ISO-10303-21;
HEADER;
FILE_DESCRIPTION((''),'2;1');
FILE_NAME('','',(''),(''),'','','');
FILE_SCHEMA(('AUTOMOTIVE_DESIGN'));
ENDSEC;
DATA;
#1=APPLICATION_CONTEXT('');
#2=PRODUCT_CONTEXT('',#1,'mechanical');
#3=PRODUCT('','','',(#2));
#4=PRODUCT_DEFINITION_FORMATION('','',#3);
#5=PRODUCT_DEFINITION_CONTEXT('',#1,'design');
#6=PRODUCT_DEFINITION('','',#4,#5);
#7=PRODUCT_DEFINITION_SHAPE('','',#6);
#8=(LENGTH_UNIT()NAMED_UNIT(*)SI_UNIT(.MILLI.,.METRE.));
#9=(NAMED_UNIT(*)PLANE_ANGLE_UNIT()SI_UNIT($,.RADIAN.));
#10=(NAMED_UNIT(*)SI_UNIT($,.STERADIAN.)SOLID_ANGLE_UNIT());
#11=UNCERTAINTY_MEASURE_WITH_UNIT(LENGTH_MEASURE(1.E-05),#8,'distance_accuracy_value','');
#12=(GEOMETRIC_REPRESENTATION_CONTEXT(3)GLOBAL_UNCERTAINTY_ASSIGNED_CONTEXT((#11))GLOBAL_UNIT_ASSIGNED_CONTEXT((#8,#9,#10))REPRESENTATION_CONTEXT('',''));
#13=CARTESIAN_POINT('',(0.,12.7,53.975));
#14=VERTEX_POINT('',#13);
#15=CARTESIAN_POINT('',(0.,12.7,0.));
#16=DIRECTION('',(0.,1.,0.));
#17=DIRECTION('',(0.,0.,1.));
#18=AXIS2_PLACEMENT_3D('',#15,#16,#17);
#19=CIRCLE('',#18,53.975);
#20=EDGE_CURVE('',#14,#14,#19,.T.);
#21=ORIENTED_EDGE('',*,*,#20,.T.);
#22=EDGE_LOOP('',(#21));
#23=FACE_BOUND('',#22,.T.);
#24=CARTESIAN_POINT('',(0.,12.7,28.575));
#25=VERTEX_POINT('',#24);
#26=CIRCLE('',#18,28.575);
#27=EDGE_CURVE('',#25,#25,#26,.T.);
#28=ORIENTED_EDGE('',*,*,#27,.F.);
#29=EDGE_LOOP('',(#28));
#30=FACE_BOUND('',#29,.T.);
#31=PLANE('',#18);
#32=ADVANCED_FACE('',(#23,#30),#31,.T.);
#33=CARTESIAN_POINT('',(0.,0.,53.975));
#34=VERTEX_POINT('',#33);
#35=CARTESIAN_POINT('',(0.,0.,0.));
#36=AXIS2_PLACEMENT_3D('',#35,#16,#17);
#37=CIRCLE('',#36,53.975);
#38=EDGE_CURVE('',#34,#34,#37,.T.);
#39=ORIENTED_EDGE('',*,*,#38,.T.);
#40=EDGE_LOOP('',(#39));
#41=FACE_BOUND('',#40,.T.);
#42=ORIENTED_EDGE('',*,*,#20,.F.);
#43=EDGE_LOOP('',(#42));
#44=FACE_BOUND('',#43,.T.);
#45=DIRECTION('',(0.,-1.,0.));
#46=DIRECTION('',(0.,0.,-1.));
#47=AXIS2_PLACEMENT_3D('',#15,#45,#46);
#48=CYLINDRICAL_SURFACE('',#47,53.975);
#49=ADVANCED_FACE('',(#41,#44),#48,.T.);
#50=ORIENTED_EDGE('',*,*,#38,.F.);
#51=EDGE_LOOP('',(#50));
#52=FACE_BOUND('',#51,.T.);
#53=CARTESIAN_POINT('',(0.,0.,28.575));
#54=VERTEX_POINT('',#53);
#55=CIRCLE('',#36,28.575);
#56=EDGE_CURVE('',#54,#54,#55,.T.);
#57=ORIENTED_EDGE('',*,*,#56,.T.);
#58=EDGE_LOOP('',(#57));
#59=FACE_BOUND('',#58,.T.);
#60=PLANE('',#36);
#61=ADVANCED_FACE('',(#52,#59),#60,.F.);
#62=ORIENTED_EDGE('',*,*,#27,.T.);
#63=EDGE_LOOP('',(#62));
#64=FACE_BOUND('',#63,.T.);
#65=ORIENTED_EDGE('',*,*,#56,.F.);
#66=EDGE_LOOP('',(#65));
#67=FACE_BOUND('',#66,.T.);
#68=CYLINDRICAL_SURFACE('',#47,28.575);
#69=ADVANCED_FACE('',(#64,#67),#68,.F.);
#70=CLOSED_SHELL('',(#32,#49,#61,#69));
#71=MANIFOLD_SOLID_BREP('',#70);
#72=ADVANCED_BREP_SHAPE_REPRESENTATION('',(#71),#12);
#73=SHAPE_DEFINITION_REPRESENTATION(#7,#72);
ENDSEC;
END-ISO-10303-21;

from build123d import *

# Parameters (mm, degrees)
SKETCH1_R           = 53.975
SKETCH1_R_2         = 28.575
BOSS_EXTRUDE1_DEPTH = 12.7


with BuildPart() as part:
    # Sketch1 → Boss-Extrude1 (new body)
    with BuildSketch(Plane(origin=(0, 0, 0), x_dir=(1, 0, 0), z_dir=(0, 1, 0))):
        with Locations(Location((0, 0, 0), (0, 0, 270))):
            Circle(SKETCH1_R)
        with Locations(Location((0, 0, 0), (0, 0, 270))):
            Circle(SKETCH1_R_2, mode=Mode.SUBTRACT)
    extrude(amount=BOSS_EXTRUDE1_DEPTH)


solid = part.part
